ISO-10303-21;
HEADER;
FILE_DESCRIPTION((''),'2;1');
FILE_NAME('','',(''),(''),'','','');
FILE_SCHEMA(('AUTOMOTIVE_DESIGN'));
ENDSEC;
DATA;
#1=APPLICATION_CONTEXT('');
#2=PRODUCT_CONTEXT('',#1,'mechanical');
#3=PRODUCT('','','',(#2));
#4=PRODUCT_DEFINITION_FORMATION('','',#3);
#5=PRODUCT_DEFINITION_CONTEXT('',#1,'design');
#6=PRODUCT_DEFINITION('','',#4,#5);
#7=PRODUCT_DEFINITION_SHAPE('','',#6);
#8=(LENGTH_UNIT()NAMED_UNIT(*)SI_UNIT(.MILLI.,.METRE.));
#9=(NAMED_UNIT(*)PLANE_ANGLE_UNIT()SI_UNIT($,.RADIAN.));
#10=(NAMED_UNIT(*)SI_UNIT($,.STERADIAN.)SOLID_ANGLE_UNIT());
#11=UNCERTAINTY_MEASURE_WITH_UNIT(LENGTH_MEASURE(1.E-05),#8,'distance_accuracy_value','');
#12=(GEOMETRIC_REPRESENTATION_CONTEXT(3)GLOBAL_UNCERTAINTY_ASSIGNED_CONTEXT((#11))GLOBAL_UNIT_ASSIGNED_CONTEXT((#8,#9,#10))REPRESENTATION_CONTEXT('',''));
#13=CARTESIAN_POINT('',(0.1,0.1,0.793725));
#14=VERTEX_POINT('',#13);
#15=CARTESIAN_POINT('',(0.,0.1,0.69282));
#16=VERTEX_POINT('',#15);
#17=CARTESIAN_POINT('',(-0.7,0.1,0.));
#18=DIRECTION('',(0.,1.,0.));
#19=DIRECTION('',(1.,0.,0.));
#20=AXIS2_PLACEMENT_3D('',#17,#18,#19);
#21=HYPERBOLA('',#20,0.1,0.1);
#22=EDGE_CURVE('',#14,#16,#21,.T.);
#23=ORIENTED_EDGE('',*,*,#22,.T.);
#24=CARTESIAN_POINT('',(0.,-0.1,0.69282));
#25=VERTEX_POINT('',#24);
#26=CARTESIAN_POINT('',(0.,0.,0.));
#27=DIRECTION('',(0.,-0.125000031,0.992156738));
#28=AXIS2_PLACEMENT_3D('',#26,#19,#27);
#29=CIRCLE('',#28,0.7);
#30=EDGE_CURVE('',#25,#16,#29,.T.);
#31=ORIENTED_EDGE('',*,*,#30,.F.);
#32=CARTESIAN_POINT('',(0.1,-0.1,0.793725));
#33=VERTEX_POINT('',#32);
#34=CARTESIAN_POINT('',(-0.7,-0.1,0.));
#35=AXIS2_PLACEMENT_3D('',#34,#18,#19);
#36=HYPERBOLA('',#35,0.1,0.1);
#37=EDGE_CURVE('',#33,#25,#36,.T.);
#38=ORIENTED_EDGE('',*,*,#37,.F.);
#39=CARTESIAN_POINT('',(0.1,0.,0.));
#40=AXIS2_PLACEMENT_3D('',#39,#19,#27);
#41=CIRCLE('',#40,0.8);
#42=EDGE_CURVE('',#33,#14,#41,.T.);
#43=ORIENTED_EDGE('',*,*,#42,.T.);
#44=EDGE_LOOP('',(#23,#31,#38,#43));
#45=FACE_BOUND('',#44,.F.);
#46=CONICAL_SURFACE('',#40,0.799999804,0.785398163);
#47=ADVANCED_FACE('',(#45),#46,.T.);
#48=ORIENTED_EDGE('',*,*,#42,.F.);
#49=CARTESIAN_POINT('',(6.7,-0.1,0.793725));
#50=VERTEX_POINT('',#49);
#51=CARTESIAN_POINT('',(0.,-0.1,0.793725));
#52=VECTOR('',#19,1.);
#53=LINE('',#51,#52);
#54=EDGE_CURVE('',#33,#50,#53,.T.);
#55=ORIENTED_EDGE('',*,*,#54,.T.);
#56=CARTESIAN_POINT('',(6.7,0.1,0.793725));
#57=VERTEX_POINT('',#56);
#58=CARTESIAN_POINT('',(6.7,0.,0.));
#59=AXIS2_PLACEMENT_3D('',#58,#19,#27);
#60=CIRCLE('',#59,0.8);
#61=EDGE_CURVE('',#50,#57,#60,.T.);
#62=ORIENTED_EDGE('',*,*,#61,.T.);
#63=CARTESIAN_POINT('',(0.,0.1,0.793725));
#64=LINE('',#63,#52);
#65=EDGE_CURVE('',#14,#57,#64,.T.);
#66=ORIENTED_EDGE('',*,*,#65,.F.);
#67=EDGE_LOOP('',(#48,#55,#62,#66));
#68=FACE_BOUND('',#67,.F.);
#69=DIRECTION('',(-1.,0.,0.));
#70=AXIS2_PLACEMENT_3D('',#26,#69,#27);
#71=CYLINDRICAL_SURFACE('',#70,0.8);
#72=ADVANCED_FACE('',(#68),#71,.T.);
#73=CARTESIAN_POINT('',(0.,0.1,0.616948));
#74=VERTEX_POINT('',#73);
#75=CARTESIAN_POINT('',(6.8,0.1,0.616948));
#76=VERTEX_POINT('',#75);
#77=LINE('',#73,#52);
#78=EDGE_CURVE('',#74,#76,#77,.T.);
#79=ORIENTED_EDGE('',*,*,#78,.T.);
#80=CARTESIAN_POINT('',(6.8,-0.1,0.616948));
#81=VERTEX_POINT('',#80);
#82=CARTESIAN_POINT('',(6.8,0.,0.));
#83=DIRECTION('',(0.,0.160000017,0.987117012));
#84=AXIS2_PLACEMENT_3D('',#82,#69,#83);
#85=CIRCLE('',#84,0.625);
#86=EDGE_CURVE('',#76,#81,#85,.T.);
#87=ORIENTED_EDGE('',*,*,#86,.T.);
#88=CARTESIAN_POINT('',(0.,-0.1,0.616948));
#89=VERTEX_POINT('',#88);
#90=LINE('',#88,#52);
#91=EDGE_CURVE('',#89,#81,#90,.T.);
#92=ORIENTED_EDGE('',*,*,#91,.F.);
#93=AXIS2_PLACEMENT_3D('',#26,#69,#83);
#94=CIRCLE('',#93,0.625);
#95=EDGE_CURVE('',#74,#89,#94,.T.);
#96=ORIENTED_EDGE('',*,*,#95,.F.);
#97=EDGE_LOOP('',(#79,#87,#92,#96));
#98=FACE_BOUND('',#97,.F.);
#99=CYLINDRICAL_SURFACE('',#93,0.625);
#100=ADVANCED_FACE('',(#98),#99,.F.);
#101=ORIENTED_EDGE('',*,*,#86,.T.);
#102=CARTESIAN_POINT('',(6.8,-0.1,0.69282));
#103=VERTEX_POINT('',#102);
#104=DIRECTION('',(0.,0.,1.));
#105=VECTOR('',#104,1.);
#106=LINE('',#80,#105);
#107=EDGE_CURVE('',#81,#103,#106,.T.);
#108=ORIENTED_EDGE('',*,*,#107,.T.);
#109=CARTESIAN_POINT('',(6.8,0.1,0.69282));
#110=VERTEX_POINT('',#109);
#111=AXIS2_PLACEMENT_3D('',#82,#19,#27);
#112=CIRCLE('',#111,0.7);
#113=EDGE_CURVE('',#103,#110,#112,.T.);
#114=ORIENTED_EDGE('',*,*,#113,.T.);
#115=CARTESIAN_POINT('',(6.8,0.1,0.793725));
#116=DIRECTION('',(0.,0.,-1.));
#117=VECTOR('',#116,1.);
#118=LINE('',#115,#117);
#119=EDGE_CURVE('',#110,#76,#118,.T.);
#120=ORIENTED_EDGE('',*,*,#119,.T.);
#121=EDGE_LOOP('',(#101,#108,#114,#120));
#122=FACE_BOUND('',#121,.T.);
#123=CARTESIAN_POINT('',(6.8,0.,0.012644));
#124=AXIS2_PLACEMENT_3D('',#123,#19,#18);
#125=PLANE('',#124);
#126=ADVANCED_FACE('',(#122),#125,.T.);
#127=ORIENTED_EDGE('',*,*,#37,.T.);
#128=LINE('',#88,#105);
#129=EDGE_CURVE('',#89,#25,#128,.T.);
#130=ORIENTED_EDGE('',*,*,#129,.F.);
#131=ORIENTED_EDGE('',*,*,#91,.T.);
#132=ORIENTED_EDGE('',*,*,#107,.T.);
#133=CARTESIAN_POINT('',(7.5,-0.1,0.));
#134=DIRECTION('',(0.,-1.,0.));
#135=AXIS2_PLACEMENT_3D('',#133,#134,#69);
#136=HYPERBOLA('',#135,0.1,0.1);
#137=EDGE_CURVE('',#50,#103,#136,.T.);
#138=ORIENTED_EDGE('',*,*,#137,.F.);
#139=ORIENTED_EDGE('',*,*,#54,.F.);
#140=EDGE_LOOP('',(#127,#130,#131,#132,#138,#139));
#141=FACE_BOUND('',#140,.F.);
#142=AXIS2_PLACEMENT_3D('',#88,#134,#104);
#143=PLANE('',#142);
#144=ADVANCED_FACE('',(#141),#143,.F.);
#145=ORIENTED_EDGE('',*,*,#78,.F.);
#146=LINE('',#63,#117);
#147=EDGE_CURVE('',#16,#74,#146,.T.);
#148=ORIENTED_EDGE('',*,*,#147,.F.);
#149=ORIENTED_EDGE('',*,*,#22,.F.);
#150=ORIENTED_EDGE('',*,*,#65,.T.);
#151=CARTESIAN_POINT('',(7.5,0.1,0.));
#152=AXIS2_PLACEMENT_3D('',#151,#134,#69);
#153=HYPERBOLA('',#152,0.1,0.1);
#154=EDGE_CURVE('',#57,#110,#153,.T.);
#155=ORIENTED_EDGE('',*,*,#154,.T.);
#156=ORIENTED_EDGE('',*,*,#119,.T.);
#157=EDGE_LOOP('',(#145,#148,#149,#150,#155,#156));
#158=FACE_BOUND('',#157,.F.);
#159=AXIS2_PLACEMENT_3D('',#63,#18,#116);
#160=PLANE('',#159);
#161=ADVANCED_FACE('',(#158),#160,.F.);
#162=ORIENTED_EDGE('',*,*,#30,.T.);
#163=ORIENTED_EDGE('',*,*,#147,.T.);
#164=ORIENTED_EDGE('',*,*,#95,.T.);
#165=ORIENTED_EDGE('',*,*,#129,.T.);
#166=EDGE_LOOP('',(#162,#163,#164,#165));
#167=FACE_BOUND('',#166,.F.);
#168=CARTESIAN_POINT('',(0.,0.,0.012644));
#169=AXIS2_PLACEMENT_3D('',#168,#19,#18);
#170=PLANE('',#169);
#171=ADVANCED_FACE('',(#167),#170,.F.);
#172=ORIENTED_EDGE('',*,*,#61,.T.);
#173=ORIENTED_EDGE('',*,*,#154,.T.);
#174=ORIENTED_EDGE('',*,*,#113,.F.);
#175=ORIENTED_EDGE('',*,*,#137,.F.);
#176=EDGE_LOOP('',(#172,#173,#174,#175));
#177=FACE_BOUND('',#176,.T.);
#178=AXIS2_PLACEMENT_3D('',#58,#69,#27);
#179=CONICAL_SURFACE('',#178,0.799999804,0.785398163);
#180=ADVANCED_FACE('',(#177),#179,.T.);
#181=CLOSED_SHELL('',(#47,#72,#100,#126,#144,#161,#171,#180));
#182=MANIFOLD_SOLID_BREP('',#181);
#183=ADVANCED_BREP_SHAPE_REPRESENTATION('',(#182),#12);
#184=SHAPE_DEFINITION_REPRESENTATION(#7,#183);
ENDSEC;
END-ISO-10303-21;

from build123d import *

# Parameters (mm, degrees)
F1_DEPTH = 6.8
F2_SIZE  = 0.1
F3_SIZE  = 0.1


with BuildPart() as f1:
    # F0 (on Right) → F1 (new body)
    with BuildSketch(Plane.YZ):
        with BuildLine():
            ThreePointArc((0.1, 0.616948), (0, -0.625), (-0.1, 0.616948))
            Line((-0.1, 0.616948), (-0.1, 0.793725))
            ThreePointArc((-0.1, 0.793725), (0, -0.8), (0.1, 0.793725))
            Line((0.1, 0.793725), (0.1, 0.616948))
        make_face()
    extrude(amount=F1_DEPTH)

    # F2
    f2_edges = [f1.edges().sort_by_distance(p)[0] for p in [
        (6.8, 0, -0.8),
    ]]
    chamfer(f2_edges, length=F2_SIZE)

    # F3
    f3_edges = [f1.edges().sort_by_distance(p)[0] for p in [
        (0, 0, -0.8),
    ]]
    chamfer(f3_edges, length=F3_SIZE)


solid = f1.part
